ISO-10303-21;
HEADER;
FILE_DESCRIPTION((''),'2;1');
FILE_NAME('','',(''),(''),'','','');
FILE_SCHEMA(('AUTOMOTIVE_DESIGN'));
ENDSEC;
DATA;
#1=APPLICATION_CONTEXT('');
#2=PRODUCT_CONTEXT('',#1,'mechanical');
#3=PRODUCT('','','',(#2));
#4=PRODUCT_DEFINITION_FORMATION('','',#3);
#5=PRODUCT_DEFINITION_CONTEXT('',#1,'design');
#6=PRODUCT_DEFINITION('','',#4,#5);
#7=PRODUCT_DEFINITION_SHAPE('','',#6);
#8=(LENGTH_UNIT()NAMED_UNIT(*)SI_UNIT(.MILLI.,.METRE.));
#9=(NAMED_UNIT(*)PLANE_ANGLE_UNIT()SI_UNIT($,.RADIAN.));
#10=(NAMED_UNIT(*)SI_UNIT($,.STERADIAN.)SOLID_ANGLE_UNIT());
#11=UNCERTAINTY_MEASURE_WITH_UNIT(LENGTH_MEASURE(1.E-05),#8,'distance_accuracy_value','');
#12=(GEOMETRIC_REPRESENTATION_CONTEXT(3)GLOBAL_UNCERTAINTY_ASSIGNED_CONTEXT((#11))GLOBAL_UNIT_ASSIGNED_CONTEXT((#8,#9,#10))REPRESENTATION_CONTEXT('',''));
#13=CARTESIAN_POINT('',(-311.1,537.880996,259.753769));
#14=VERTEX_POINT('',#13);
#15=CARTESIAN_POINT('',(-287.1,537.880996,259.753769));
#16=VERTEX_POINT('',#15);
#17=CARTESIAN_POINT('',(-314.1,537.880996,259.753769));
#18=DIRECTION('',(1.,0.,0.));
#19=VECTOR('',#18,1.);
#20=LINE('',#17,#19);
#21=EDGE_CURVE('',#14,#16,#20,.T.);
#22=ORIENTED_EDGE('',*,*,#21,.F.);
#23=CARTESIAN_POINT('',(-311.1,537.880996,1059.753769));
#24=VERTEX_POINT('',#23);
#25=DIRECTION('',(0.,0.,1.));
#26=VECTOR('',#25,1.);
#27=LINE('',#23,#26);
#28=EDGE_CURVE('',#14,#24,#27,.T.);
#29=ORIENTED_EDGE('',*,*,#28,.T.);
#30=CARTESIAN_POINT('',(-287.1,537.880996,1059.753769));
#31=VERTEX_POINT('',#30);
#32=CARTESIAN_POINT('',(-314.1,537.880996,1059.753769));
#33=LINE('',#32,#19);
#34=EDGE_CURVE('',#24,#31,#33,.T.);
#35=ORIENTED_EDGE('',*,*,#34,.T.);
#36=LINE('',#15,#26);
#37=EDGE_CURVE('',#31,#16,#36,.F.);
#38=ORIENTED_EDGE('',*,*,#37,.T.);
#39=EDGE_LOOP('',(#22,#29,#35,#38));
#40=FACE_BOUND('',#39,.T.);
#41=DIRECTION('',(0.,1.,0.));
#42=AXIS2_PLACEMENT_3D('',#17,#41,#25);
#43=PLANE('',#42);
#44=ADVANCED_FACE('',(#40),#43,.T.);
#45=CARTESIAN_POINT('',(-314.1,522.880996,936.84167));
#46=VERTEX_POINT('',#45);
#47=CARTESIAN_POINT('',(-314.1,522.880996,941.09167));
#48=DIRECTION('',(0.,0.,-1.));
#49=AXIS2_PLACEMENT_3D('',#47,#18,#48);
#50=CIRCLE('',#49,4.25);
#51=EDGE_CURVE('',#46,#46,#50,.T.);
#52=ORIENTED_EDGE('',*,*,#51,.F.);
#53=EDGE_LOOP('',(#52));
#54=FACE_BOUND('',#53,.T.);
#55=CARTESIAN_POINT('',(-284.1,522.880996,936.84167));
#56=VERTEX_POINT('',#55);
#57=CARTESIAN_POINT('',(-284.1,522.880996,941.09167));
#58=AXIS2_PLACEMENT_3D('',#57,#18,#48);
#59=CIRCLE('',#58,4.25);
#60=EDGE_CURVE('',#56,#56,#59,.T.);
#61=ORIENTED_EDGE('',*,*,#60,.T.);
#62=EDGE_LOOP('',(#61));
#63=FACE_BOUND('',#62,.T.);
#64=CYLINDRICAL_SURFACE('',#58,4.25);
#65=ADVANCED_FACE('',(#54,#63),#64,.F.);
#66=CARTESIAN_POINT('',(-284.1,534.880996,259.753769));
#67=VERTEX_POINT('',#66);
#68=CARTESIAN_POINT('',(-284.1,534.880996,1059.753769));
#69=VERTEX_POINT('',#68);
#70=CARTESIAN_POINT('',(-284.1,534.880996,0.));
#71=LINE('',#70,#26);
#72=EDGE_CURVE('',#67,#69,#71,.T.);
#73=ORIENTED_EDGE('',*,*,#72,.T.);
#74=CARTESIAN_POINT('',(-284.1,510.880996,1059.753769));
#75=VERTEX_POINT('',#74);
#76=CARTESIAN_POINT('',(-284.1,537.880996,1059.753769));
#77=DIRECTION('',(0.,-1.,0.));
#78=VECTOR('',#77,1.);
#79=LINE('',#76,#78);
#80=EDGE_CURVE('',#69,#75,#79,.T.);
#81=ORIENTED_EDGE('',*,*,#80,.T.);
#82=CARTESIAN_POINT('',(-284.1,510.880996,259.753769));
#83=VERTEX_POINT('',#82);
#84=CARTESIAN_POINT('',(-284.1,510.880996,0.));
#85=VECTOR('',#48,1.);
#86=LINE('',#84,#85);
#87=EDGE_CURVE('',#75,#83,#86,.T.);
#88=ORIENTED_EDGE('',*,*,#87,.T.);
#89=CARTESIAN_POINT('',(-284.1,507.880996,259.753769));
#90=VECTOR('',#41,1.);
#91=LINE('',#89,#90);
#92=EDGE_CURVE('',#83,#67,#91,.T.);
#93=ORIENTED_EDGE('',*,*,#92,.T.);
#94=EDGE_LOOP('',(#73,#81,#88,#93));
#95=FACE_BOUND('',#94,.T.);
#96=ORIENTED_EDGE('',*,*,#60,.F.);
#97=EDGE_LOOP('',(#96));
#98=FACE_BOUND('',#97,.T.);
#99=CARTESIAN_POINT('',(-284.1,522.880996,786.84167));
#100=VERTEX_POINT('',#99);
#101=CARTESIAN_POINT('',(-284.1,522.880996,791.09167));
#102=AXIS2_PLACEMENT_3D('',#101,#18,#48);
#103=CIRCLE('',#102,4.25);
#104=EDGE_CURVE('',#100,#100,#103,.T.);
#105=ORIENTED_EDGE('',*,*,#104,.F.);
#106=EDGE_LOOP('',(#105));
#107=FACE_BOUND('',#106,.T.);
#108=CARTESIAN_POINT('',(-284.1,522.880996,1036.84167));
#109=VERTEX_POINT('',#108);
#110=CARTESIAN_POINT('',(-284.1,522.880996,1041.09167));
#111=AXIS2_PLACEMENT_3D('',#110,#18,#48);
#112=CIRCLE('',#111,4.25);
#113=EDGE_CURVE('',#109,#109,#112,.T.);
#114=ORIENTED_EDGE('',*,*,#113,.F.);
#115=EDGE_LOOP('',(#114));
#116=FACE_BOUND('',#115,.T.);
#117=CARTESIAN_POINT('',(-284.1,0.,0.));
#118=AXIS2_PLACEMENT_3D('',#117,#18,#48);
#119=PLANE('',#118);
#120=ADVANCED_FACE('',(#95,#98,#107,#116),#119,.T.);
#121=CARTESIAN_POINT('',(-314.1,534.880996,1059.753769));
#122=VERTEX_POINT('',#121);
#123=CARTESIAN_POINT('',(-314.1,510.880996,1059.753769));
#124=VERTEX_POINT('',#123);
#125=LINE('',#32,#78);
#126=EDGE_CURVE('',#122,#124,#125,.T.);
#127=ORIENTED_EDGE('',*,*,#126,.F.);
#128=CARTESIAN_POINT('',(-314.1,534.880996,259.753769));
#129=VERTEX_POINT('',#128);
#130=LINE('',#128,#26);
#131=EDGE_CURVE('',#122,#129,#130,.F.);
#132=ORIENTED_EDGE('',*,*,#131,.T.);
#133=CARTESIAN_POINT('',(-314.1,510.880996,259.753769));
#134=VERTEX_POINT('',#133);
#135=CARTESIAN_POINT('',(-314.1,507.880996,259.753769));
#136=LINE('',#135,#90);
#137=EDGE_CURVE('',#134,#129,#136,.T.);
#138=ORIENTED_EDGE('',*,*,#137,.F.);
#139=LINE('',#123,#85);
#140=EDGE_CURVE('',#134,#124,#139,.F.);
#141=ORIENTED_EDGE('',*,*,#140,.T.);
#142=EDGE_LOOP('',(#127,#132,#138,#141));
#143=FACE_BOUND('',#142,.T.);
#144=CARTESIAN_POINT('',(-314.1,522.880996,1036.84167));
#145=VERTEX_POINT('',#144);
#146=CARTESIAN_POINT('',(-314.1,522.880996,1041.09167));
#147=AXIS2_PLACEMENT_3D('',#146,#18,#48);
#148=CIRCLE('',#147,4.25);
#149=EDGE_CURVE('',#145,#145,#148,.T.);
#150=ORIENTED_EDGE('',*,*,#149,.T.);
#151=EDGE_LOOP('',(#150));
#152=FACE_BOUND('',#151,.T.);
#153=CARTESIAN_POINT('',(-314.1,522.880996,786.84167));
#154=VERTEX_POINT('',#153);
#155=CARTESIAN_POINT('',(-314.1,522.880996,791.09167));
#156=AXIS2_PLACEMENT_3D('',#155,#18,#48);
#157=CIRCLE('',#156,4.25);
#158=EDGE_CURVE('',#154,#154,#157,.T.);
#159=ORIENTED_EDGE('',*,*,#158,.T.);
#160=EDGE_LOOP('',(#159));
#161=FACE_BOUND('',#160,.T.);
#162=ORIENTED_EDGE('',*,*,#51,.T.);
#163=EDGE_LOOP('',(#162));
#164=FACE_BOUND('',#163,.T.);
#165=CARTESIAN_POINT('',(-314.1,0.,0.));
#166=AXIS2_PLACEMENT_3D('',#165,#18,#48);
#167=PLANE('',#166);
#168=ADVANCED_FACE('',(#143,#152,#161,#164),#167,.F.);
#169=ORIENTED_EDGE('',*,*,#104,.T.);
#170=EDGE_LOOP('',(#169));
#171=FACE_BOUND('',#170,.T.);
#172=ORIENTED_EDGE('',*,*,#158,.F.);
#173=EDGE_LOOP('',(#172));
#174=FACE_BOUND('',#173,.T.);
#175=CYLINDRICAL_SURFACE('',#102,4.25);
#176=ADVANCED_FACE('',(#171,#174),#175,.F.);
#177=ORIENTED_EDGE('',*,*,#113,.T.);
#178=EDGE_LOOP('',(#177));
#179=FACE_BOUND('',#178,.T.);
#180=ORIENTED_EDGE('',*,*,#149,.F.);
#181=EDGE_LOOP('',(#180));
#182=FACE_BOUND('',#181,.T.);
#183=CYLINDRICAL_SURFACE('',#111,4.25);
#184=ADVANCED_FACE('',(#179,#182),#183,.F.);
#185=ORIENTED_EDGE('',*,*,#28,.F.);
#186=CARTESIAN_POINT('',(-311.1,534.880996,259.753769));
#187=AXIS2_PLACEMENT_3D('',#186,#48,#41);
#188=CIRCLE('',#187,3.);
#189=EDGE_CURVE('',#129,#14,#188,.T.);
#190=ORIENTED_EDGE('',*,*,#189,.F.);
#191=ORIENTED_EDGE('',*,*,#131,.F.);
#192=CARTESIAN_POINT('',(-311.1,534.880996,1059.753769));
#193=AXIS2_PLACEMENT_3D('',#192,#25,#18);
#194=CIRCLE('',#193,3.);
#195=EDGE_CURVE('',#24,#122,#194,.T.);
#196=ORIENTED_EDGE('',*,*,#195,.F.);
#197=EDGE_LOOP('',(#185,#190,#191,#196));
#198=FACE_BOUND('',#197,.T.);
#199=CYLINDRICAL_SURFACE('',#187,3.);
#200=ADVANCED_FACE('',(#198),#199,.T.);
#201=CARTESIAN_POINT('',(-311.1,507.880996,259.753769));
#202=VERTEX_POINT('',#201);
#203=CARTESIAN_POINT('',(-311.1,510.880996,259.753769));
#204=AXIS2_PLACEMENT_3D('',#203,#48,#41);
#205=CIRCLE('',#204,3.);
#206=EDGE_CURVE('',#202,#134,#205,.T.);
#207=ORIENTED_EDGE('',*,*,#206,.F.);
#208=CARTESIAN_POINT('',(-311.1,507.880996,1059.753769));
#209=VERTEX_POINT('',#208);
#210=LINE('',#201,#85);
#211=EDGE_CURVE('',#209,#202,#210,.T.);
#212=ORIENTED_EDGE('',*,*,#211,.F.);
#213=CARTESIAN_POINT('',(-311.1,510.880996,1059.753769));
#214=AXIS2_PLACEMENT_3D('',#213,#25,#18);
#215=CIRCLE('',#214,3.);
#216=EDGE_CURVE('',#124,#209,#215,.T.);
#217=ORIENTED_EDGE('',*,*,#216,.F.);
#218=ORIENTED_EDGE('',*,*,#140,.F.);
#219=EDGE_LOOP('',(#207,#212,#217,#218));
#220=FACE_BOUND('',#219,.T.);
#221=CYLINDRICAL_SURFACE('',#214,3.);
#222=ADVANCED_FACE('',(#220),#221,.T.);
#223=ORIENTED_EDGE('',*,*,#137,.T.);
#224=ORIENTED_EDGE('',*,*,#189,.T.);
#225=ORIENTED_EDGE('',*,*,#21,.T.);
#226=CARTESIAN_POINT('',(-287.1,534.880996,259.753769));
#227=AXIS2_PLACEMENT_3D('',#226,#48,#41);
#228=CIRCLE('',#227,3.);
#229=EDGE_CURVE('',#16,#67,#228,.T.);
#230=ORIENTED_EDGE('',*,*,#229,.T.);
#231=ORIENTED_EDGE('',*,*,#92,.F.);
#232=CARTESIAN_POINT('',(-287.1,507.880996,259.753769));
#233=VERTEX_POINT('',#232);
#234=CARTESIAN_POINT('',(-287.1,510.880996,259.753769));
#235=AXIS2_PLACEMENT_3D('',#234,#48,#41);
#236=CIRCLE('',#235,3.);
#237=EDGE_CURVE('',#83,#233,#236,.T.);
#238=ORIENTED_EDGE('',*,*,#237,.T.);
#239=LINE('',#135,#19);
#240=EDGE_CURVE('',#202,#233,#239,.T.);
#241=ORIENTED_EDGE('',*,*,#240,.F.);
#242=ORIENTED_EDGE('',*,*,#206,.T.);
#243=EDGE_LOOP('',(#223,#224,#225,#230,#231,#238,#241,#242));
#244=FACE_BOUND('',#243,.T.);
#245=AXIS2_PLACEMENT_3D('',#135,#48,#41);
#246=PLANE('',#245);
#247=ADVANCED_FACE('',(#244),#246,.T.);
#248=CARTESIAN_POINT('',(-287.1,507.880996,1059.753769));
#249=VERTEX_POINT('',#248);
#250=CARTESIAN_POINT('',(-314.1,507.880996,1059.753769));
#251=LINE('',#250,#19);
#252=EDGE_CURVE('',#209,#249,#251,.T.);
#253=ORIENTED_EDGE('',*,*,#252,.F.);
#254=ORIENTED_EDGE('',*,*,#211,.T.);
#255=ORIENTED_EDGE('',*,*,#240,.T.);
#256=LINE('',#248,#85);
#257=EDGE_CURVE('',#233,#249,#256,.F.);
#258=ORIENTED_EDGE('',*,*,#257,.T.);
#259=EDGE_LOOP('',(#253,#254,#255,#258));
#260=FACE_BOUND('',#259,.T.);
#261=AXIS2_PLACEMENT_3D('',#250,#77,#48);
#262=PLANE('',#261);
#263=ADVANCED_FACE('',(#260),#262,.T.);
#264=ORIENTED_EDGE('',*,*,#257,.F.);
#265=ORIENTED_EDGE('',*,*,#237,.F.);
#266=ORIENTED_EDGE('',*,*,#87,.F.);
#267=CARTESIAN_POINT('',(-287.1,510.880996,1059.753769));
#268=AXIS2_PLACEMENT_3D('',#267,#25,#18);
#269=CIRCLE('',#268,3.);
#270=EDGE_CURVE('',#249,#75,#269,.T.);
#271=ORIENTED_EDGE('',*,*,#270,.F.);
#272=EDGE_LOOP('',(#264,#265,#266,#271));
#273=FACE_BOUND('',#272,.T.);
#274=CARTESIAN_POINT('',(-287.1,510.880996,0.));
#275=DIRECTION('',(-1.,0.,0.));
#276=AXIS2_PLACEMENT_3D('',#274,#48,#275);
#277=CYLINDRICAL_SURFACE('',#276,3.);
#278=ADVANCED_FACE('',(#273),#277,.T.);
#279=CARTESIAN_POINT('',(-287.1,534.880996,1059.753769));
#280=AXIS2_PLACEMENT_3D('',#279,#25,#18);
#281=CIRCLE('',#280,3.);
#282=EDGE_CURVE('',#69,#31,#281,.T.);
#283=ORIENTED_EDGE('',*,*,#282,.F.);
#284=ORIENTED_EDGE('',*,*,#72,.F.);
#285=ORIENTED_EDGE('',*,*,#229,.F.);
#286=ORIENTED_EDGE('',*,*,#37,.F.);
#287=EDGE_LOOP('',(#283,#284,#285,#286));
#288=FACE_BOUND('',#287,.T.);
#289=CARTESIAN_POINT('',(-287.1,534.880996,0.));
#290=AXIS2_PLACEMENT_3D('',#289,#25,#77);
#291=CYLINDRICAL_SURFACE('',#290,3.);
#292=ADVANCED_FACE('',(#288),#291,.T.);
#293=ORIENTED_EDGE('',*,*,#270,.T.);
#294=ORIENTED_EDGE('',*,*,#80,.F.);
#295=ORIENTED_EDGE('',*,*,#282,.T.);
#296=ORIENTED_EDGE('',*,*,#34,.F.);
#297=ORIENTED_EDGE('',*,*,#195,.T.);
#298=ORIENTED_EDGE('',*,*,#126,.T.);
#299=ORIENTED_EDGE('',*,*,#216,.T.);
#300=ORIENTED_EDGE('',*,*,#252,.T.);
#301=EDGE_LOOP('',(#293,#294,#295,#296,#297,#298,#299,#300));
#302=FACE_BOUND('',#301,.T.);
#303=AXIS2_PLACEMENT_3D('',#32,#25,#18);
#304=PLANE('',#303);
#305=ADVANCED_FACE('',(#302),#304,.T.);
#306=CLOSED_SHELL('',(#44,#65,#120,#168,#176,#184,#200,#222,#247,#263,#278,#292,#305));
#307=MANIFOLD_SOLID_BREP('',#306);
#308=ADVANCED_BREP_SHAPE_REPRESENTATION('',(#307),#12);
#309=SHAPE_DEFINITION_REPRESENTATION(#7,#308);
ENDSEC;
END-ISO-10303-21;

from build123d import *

# Parameters (mm, degrees)
SKETCH1_W                  = 800
SKETCH1_H                  = 30
BOSS_EXTRUDE1_DEPTH        = 30
F_8_5_8_5_DIAMETER_HOLE1_D = 8.5
FILLET1_R                  = 3


with BuildPart() as part:
    # Sketch1 → Boss-Extrude1 (new body)
    with BuildSketch(Plane(origin=(-284.1, 0, 0), x_dir=(0, 0, -1), z_dir=(1, 0, 0))):
        with Locations((-659.753768995, 522.880996201)):
            Rectangle(SKETCH1_W, SKETCH1_H)
    extrude(amount=-BOSS_EXTRUDE1_DEPTH)

    # Ø8.5 (8.5) Diameter Hole1 (through all)
    with Locations(Plane(origin=(-284.1, 0, 0), x_dir=(0, 0, -1), z_dir=(1, 0, 0))):
        with Locations((-791.091669843, 522.880996201), (-941.091669843, 522.880996201), (-1041.091669843, 522.880996201)):
            Hole(F_8_5_8_5_DIAMETER_HOLE1_D / 2)

    # Fillet1
    fillet1_edges = [part.edges().sort_by_distance(p)[0] for p in [
        (-314.1, 507.880996201, 659.753768995),
        (-314.1, 537.880996201, 659.753768995),
        (-284.1, 507.880996201, 659.753768995),
        (-284.1, 537.880996201, 659.753768995),
    ]]
    fillet(fillet1_edges, radius=FILLET1_R)


solid = part.part
